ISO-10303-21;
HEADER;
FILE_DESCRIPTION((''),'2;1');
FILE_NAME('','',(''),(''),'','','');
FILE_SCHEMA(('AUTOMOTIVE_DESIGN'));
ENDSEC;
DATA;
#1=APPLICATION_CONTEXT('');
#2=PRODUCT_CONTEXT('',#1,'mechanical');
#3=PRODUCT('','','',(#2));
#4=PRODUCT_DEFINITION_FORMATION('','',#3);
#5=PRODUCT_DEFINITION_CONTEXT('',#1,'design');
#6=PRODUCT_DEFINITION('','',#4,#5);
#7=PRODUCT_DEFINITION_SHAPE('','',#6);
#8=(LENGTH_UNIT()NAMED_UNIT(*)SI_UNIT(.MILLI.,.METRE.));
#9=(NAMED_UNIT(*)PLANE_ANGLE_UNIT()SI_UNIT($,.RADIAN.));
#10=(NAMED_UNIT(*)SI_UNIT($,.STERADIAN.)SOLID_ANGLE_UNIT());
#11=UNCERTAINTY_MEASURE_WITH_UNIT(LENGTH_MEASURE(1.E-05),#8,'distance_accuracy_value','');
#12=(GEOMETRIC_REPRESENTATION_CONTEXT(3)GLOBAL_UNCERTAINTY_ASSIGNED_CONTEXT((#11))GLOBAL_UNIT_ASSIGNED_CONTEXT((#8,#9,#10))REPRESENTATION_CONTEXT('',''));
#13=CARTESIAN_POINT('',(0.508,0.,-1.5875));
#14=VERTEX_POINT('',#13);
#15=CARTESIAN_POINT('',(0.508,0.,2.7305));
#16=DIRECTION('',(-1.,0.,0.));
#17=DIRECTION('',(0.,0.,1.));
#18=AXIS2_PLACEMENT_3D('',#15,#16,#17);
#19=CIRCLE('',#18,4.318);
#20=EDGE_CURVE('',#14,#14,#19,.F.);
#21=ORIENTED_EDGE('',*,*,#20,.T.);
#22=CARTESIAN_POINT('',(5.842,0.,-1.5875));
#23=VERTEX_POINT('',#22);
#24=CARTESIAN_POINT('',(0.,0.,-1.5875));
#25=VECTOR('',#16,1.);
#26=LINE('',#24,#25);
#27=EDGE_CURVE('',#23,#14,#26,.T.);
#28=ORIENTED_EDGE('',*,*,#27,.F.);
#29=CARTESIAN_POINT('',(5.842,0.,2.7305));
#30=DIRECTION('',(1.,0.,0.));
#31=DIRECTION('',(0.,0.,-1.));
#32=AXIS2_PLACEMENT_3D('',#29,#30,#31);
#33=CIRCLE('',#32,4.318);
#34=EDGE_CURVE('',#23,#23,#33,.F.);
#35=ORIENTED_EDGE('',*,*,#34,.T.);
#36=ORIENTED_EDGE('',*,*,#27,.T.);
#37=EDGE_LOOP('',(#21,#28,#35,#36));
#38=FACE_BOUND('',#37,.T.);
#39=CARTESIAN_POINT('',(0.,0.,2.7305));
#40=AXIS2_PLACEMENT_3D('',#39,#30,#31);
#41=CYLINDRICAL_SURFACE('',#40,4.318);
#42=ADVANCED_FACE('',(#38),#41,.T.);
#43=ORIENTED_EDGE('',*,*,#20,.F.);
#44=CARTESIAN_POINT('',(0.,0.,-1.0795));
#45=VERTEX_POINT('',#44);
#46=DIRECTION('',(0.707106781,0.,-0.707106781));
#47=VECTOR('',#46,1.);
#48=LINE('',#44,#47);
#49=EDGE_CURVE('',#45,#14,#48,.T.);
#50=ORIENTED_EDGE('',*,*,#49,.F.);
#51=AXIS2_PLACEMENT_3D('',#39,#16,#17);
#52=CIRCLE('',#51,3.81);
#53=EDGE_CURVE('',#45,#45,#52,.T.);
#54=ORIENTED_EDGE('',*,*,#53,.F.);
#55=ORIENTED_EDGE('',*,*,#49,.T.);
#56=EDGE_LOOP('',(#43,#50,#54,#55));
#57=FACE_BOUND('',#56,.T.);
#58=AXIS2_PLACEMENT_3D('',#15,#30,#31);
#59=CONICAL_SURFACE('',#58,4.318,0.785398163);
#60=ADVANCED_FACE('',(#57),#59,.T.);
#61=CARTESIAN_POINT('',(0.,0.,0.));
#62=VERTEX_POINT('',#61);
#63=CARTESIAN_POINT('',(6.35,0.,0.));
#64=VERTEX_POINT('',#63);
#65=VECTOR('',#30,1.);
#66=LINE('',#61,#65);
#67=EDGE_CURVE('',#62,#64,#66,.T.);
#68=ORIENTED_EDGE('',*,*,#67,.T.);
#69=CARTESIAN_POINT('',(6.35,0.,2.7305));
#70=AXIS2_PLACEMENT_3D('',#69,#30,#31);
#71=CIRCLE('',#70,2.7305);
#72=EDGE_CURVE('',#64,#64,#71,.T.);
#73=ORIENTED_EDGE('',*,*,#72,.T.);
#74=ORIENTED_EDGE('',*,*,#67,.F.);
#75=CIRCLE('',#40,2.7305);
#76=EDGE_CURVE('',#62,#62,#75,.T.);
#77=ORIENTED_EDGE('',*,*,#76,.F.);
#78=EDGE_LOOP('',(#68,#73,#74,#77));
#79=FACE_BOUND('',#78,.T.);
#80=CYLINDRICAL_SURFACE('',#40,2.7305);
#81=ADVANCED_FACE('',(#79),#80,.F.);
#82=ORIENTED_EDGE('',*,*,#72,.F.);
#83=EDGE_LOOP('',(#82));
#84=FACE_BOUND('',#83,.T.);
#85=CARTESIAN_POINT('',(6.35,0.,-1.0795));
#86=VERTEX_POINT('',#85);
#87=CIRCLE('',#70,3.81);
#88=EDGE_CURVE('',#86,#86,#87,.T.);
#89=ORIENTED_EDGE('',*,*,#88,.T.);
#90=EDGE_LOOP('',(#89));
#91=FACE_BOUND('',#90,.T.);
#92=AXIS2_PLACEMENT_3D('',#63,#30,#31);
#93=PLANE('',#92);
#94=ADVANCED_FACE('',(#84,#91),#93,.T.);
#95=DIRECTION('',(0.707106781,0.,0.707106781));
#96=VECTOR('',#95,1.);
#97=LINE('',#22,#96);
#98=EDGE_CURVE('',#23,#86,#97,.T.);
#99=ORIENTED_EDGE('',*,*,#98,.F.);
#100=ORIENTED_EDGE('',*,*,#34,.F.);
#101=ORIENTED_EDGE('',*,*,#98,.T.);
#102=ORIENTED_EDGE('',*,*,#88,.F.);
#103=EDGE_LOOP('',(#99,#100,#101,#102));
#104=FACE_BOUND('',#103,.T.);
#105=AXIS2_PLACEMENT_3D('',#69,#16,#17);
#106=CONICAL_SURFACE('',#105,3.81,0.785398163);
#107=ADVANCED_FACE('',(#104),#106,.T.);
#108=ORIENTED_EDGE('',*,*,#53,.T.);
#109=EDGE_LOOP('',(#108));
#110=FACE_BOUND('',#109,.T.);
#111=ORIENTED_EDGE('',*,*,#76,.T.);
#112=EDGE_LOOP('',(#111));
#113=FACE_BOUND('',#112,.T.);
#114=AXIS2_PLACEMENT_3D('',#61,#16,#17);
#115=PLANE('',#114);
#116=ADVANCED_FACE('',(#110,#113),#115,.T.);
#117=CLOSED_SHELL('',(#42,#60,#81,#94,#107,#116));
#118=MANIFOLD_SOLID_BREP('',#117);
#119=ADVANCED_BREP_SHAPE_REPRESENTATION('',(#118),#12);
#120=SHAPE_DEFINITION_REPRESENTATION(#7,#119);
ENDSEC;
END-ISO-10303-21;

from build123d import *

# Parameters (mm, degrees)
SKETCH1_W     = 6.35
SKETCH1_H     = 1.5875
CHAMFER1_SIZE = 0.508


with BuildPart() as part:
    # Sweep1: sweep along a path in Sketch2
    with BuildLine(Plane(origin=(0, 0, 0), x_dir=(0, 0, -1), z_dir=(1, 0, 0))) as sweep1_path:
        CenterArc((-2.7305, 0), 2.7305, 0, 360)
    # Sketch1 → Sweep1 (sweep)
    with BuildSketch(Plane(origin=(0, 0, 0), x_dir=(1, 0, 0), z_dir=(0, 1, 0))):
        with Locations((3.175, 0.79375)):
            Rectangle(SKETCH1_W, SKETCH1_H)
    sweep(path=sweep1_path.line)

    # Chamfer1
    chamfer1_edges = [part.edges().sort_by_distance(p)[0] for p in [
        (6.35, 0, 7.0485),
        (0, 0, 7.0485),
    ]]
    chamfer(chamfer1_edges, length=CHAMFER1_SIZE)


solid = part.part
